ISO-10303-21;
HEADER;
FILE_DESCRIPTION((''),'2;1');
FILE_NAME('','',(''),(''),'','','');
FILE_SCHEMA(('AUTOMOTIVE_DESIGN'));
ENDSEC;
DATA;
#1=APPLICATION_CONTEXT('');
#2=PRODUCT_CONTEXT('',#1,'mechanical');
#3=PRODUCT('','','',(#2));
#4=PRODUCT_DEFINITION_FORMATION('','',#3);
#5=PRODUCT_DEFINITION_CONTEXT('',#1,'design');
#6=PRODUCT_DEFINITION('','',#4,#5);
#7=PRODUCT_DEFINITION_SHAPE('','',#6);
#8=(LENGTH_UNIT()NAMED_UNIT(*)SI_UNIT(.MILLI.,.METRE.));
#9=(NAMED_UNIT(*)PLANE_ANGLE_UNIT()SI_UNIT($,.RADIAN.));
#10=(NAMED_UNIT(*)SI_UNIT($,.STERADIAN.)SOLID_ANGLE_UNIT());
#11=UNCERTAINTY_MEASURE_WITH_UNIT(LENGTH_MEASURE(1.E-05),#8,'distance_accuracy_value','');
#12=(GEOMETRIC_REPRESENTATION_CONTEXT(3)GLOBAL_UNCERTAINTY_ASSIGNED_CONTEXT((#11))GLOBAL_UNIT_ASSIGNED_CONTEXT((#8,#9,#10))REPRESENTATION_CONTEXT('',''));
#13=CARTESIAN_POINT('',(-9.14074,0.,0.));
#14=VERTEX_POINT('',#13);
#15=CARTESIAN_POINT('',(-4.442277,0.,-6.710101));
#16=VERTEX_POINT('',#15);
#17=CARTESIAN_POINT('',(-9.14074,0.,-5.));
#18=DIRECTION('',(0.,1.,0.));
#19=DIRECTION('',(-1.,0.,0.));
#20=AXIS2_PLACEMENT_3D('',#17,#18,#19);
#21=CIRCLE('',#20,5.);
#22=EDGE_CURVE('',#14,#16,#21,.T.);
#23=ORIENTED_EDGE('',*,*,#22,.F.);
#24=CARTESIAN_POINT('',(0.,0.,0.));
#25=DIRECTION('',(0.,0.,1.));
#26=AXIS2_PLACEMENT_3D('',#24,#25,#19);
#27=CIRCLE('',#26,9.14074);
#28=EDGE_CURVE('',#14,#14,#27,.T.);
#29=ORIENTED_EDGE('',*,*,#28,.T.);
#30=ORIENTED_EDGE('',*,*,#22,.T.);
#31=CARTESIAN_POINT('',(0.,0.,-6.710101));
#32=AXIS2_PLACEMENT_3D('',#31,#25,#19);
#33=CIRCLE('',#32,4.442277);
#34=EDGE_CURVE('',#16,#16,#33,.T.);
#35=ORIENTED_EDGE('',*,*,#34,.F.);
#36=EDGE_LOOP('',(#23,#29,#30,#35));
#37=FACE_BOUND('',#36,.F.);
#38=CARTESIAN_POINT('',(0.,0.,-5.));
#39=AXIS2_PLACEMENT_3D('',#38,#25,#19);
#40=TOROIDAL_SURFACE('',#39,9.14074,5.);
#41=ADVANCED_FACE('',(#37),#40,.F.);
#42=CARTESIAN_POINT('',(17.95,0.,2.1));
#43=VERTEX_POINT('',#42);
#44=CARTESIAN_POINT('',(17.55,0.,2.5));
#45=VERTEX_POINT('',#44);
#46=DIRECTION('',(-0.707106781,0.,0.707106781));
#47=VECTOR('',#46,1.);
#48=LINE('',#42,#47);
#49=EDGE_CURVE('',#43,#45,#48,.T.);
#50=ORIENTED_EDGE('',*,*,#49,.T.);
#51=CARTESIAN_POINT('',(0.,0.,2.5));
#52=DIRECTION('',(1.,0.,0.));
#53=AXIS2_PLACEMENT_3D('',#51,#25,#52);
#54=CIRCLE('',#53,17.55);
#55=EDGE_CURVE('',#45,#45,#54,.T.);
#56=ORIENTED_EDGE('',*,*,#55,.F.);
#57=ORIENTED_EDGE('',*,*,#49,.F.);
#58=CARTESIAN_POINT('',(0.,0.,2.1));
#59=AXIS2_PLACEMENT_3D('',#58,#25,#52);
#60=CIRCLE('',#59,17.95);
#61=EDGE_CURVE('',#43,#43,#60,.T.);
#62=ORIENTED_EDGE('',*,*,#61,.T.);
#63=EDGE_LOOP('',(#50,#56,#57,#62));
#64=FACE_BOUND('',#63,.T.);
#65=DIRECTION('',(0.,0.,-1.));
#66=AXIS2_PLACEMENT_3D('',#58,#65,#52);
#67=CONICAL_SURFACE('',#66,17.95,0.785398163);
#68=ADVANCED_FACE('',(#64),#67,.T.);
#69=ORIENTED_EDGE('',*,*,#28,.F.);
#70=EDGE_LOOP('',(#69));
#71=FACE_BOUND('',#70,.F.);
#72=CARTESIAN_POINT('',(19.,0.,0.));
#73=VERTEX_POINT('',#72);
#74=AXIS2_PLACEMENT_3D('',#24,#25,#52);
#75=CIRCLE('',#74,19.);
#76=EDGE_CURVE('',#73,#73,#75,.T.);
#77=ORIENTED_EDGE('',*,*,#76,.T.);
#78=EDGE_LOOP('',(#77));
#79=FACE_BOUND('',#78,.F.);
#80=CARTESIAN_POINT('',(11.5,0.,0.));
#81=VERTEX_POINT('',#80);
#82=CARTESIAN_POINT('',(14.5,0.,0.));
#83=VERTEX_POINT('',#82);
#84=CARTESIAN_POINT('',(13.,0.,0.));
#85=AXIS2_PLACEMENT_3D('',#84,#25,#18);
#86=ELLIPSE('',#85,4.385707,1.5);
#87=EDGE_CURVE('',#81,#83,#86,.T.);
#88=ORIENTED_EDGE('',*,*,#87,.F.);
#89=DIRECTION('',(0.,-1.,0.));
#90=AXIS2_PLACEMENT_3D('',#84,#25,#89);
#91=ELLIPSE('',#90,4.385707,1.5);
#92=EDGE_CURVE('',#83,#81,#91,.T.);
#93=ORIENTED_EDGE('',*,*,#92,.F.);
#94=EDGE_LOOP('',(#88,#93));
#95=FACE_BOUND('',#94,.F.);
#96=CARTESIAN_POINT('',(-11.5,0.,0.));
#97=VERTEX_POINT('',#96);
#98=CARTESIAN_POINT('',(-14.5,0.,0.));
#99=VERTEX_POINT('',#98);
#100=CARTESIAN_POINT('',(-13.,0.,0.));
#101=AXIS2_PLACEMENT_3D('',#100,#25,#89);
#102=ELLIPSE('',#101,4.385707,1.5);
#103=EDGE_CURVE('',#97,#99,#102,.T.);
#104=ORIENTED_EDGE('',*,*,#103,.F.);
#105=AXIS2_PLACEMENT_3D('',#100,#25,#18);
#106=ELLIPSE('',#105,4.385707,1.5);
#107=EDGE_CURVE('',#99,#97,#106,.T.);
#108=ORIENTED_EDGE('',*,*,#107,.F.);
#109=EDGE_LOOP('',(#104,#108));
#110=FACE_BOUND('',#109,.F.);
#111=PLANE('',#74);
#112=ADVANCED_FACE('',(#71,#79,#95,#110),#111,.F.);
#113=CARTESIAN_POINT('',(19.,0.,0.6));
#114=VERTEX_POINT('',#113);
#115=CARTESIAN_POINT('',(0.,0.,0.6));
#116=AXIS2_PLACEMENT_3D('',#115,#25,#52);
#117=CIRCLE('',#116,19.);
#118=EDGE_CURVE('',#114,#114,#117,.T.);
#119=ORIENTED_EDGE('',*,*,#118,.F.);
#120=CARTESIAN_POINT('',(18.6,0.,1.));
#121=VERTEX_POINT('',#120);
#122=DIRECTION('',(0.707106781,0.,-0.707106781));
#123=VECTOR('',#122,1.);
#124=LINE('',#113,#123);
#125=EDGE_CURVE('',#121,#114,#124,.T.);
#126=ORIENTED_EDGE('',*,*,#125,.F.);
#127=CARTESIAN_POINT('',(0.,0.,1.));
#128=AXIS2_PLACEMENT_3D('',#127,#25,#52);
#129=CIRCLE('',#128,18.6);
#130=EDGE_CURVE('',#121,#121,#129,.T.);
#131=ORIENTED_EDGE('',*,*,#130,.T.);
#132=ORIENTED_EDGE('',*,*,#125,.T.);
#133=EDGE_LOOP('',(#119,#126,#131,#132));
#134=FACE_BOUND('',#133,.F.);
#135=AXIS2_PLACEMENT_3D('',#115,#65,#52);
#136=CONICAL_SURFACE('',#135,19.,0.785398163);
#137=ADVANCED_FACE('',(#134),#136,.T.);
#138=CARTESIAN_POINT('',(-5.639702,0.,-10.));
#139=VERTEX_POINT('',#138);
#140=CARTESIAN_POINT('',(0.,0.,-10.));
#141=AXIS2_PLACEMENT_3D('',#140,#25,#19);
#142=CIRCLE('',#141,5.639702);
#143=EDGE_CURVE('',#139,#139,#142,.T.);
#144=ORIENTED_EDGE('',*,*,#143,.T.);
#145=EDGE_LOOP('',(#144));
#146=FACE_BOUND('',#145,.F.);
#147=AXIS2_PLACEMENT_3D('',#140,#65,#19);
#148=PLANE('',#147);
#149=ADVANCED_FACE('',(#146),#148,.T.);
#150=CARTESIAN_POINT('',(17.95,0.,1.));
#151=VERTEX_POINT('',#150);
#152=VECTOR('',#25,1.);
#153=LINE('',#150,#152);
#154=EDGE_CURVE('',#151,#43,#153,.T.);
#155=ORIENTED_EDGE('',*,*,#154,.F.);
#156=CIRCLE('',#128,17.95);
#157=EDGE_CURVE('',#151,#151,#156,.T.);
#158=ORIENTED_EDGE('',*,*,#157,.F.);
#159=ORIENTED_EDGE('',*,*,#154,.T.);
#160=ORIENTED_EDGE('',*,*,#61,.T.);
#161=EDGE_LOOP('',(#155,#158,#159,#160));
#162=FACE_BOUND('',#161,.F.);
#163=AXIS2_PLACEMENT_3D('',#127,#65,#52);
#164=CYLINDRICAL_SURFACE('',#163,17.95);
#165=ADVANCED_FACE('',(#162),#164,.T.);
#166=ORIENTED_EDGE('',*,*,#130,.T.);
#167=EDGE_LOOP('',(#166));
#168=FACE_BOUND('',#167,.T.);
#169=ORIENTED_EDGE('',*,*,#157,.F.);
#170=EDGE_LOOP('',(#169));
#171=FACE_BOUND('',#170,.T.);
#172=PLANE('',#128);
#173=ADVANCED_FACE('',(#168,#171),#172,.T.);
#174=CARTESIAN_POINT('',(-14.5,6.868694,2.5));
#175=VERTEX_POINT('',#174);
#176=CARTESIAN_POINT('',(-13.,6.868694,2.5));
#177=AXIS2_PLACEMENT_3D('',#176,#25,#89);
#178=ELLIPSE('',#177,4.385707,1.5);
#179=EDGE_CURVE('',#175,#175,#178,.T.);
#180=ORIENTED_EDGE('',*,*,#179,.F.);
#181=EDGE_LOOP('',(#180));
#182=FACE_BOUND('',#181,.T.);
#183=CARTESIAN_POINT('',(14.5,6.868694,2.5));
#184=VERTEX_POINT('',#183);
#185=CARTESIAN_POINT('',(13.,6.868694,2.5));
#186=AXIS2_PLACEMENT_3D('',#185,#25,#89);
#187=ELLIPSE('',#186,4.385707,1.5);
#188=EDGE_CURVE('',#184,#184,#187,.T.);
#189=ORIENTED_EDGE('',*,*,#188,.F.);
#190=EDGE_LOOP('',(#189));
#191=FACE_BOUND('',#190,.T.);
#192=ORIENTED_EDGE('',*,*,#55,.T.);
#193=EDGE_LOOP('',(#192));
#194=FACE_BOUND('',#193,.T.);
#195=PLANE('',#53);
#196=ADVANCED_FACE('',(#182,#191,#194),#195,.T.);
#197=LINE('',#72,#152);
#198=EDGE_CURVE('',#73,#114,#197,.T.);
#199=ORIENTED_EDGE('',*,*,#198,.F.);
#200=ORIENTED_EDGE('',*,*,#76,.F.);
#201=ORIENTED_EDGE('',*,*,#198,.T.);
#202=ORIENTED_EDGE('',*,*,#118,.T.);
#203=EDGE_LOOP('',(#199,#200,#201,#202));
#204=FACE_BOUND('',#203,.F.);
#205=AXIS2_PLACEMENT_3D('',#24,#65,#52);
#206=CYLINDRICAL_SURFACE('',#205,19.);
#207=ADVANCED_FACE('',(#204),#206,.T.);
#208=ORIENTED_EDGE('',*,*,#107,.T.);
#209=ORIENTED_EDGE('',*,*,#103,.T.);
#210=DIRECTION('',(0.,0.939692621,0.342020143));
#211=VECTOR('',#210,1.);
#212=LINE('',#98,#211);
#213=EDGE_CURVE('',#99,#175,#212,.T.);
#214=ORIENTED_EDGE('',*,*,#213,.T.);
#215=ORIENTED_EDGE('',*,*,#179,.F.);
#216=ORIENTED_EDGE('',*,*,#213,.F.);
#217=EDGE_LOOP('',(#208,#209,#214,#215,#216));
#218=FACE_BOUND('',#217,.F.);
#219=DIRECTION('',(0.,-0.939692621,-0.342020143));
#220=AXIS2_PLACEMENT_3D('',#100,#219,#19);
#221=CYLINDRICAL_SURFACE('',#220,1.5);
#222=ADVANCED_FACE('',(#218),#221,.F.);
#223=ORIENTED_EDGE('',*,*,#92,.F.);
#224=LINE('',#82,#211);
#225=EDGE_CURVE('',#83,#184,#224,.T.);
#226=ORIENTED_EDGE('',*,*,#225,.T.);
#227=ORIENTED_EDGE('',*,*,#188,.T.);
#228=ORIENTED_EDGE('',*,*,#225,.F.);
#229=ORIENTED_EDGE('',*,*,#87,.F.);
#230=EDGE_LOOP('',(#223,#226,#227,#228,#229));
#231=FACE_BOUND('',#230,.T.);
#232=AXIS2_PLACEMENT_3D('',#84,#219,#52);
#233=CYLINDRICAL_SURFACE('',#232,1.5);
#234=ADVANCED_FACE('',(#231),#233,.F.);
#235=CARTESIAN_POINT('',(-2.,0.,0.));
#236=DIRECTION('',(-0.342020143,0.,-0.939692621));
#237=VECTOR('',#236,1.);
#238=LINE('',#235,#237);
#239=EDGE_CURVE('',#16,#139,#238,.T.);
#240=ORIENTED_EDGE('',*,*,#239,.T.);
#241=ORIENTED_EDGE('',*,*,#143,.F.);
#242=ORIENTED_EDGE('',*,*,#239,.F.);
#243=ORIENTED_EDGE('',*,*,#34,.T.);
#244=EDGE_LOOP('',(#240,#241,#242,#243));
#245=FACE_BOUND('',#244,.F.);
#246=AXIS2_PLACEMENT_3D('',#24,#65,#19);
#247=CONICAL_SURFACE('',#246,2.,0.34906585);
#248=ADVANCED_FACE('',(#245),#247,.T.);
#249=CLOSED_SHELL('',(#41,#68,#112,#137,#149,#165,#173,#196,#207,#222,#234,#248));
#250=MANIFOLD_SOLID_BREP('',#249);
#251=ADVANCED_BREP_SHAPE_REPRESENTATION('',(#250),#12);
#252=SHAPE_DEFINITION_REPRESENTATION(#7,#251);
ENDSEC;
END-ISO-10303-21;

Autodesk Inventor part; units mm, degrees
ref_plane "YZ Plane" through (0, 0, 0) normal (1, 0, 0) x (0, 1, 0)
ref_plane "XY Plane" through (0, 0, 0) normal (0, 0, 1) x (1, 0, 0)
sketch "Sketch1" plane through (0, 0, 0) normal (0, 0, 1) x (1, 0, 0)
  circle A0 centre (0, 0) radius 19
  dimension "d0" = 38
extrude "Extrusion1" add sketch "Sketch1" along normal blind 1
sketch "Sketch2" plane through (0, 0, 1) normal (0, 0, 1) x (1, 0, 0)
  circle A0 centre (0, 0) radius 17.95
  dimension "d3" = 35.9
extrude "Extrusion2" add sketch "Sketch2" along normal blind 1.5
chamfer "Chamfer1" distance 0.4 angle 45 1 edges at (-17.95, 0, 2.5)
chamfer "Chamfer2" distance 0.4 angle 45 1 edges at (-19, 0, 1)
sketch "Sketch3" plane through (0, 0, 0) normal (0, 0, -1) x (-1, 0, 0)
  circle A0 centre (0, 0) radius 2
  dimension "d12" = 4
extrude "Extrusion3" add sketch "Sketch3" along normal blind 10 draft 20
fillet "Fillet1" radius 5 1 edges at (2, 0, 0)
ref_plane "Work Plane1" through (0, 0, 0) normal (0, 0.9397, 0.342) x (1, 0, 0)
sketch "Sketch4" plane through (0, 0, 0) normal (0, 0.9397, 0.342) x (1, 0, 0)
  ellipse E0 centre (0, 0) end of major axis (19, 0) minor radius 6.4984 projected
  ellipse E1 centre (0, 0) end of major axis (9.1407, 0) minor radius 3.1263 projected
  line L0 (-26.6, 0) -> (26.6, 0) projected
  circle A0 centre (13, 0) radius 1.5
  ellipse E2 centre (0, 0) end of major axis (9.1407, 0) minor radius 3.1263 projected
  dimension "d17" = 3
  dimension "d18" = 13
extrude "Extrusion4" cut sketch "Sketch4" along normal through all both and the other way through all contours A0 L0 | L0 A0
mirror "Mirror1" about plane through (0, 0, 0) normal (1, 0, 0) of "Extrusion4"
equation "\"BendRadius\" = Thickness"
equation "\"BendReliefWidth\" = Thickness"
equation "\"BendReliefDepth\" = 0.5 * Thickness"
equation "\"CornerReliefSize\" = 4 * Thickness"
equation "\"MinimumRemnant\" = 2 * Thickness"
equation "\"TransitionRadius\" = BendRadius"
equation "\"JacobiRadiusSize\" = BendRadius"
equation "\"GapSize\" = Thickness"
equation "\"Thickness\" = 3.048"
properties part number "V4Lid"
